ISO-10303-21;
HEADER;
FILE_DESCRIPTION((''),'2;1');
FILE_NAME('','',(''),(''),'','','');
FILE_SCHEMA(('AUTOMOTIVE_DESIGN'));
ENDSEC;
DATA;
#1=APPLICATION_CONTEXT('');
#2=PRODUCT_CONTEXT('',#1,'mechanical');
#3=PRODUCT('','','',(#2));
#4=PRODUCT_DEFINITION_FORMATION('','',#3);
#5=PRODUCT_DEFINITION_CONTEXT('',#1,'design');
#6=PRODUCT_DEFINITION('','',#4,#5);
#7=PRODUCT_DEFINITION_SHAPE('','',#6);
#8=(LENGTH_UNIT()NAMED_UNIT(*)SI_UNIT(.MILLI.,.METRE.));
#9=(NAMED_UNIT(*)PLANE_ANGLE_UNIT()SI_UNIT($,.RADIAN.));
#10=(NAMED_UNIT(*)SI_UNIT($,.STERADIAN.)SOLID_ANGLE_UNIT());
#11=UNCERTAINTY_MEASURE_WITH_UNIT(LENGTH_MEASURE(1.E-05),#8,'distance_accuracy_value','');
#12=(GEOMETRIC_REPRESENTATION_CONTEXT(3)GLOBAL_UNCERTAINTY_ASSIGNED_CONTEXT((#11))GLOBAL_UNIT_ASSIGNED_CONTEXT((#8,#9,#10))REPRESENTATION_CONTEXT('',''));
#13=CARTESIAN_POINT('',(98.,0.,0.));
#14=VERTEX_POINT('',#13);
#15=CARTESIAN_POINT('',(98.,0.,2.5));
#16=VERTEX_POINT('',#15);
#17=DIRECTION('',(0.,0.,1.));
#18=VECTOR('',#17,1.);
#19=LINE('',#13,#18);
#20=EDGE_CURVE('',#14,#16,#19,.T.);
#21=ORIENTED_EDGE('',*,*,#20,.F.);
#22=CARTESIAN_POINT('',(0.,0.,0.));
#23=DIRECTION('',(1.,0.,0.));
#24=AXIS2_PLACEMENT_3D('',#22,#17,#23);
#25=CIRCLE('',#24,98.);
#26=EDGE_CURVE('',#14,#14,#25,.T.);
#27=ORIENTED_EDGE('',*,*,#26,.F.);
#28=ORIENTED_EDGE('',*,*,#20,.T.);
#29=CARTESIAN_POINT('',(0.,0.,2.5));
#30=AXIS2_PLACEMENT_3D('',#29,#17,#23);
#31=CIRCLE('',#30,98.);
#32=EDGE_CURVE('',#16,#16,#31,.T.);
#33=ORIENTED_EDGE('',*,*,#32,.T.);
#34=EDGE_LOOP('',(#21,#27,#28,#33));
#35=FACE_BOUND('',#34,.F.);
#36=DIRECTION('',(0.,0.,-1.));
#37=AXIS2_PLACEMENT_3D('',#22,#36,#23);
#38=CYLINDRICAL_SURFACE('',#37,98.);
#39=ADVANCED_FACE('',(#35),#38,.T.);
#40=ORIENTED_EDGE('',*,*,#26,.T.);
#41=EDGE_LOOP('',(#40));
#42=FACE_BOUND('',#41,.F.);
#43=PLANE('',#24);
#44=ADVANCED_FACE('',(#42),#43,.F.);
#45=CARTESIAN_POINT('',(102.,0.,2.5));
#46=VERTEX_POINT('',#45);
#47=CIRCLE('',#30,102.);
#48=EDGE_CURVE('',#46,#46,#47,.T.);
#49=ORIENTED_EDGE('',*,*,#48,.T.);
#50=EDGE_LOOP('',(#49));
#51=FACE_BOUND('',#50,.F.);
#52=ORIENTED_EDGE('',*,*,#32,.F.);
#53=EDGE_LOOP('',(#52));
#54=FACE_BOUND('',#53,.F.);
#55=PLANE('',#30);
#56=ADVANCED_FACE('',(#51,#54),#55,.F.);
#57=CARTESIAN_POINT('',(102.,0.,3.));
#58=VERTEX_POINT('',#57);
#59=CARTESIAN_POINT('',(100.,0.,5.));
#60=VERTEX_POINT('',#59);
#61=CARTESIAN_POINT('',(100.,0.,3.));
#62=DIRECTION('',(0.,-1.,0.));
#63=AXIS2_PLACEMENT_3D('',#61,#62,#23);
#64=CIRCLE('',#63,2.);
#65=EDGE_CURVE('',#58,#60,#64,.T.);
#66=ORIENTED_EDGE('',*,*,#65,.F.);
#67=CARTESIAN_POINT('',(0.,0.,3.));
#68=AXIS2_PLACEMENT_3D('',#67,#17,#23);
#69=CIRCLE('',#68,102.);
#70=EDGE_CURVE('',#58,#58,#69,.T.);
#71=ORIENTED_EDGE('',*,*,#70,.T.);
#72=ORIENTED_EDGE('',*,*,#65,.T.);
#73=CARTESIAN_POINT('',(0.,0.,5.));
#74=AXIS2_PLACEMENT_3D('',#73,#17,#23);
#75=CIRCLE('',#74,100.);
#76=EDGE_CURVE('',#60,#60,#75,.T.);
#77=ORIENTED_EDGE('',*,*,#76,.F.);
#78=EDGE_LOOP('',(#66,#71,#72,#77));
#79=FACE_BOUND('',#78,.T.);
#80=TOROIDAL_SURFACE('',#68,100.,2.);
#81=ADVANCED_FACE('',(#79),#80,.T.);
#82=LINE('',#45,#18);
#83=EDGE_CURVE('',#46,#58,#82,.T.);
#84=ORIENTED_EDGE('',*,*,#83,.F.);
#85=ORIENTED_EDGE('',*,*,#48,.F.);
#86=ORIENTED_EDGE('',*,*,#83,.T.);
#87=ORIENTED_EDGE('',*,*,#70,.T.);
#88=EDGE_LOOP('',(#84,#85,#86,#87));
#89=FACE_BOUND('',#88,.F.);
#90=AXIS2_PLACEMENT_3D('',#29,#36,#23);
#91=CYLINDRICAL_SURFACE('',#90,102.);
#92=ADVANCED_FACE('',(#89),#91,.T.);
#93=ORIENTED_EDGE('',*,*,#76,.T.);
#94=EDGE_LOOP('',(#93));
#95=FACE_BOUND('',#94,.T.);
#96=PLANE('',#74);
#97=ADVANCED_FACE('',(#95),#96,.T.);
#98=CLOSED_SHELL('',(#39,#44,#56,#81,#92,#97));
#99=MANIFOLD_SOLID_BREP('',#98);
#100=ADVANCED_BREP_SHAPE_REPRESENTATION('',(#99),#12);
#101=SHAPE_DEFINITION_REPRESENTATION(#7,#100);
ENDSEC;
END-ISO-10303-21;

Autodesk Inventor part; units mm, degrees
ref_plane "YZ Plane" through (0, 0, 0) normal (1, 0, 0) x (0, 1, 0)
ref_plane "XZ Plane" through (0, 0, 0) normal (0, 1, 0) x (-1, 0, 0)
ref_plane "XY Plane" through (0, 0, 0) normal (0, 0, 1) x (1, 0, 0)
sketch "Skizze1" plane through (0, 0, 0) normal (0, 0, 1) x (1, 0, 0)
  circle A0 centre (0, 0) radius 98
  dimension "d0" = 196
extrude "Extrusion1" add sketch "Skizze1" along normal blind 2.5
sketch "Skizze2" plane through (0, 0, 2.5) normal (0, 0, 1) x (1, 0, 0)
  circle A0 centre (0, 0) radius 102
  dimension "d6" = 204
extrude "Extrusion2" add sketch "Skizze2" along normal blind 2.5
fillet "Rundung1" radius 2 1 edges at (-102, 0, 5)
properties part number "Deckel"
